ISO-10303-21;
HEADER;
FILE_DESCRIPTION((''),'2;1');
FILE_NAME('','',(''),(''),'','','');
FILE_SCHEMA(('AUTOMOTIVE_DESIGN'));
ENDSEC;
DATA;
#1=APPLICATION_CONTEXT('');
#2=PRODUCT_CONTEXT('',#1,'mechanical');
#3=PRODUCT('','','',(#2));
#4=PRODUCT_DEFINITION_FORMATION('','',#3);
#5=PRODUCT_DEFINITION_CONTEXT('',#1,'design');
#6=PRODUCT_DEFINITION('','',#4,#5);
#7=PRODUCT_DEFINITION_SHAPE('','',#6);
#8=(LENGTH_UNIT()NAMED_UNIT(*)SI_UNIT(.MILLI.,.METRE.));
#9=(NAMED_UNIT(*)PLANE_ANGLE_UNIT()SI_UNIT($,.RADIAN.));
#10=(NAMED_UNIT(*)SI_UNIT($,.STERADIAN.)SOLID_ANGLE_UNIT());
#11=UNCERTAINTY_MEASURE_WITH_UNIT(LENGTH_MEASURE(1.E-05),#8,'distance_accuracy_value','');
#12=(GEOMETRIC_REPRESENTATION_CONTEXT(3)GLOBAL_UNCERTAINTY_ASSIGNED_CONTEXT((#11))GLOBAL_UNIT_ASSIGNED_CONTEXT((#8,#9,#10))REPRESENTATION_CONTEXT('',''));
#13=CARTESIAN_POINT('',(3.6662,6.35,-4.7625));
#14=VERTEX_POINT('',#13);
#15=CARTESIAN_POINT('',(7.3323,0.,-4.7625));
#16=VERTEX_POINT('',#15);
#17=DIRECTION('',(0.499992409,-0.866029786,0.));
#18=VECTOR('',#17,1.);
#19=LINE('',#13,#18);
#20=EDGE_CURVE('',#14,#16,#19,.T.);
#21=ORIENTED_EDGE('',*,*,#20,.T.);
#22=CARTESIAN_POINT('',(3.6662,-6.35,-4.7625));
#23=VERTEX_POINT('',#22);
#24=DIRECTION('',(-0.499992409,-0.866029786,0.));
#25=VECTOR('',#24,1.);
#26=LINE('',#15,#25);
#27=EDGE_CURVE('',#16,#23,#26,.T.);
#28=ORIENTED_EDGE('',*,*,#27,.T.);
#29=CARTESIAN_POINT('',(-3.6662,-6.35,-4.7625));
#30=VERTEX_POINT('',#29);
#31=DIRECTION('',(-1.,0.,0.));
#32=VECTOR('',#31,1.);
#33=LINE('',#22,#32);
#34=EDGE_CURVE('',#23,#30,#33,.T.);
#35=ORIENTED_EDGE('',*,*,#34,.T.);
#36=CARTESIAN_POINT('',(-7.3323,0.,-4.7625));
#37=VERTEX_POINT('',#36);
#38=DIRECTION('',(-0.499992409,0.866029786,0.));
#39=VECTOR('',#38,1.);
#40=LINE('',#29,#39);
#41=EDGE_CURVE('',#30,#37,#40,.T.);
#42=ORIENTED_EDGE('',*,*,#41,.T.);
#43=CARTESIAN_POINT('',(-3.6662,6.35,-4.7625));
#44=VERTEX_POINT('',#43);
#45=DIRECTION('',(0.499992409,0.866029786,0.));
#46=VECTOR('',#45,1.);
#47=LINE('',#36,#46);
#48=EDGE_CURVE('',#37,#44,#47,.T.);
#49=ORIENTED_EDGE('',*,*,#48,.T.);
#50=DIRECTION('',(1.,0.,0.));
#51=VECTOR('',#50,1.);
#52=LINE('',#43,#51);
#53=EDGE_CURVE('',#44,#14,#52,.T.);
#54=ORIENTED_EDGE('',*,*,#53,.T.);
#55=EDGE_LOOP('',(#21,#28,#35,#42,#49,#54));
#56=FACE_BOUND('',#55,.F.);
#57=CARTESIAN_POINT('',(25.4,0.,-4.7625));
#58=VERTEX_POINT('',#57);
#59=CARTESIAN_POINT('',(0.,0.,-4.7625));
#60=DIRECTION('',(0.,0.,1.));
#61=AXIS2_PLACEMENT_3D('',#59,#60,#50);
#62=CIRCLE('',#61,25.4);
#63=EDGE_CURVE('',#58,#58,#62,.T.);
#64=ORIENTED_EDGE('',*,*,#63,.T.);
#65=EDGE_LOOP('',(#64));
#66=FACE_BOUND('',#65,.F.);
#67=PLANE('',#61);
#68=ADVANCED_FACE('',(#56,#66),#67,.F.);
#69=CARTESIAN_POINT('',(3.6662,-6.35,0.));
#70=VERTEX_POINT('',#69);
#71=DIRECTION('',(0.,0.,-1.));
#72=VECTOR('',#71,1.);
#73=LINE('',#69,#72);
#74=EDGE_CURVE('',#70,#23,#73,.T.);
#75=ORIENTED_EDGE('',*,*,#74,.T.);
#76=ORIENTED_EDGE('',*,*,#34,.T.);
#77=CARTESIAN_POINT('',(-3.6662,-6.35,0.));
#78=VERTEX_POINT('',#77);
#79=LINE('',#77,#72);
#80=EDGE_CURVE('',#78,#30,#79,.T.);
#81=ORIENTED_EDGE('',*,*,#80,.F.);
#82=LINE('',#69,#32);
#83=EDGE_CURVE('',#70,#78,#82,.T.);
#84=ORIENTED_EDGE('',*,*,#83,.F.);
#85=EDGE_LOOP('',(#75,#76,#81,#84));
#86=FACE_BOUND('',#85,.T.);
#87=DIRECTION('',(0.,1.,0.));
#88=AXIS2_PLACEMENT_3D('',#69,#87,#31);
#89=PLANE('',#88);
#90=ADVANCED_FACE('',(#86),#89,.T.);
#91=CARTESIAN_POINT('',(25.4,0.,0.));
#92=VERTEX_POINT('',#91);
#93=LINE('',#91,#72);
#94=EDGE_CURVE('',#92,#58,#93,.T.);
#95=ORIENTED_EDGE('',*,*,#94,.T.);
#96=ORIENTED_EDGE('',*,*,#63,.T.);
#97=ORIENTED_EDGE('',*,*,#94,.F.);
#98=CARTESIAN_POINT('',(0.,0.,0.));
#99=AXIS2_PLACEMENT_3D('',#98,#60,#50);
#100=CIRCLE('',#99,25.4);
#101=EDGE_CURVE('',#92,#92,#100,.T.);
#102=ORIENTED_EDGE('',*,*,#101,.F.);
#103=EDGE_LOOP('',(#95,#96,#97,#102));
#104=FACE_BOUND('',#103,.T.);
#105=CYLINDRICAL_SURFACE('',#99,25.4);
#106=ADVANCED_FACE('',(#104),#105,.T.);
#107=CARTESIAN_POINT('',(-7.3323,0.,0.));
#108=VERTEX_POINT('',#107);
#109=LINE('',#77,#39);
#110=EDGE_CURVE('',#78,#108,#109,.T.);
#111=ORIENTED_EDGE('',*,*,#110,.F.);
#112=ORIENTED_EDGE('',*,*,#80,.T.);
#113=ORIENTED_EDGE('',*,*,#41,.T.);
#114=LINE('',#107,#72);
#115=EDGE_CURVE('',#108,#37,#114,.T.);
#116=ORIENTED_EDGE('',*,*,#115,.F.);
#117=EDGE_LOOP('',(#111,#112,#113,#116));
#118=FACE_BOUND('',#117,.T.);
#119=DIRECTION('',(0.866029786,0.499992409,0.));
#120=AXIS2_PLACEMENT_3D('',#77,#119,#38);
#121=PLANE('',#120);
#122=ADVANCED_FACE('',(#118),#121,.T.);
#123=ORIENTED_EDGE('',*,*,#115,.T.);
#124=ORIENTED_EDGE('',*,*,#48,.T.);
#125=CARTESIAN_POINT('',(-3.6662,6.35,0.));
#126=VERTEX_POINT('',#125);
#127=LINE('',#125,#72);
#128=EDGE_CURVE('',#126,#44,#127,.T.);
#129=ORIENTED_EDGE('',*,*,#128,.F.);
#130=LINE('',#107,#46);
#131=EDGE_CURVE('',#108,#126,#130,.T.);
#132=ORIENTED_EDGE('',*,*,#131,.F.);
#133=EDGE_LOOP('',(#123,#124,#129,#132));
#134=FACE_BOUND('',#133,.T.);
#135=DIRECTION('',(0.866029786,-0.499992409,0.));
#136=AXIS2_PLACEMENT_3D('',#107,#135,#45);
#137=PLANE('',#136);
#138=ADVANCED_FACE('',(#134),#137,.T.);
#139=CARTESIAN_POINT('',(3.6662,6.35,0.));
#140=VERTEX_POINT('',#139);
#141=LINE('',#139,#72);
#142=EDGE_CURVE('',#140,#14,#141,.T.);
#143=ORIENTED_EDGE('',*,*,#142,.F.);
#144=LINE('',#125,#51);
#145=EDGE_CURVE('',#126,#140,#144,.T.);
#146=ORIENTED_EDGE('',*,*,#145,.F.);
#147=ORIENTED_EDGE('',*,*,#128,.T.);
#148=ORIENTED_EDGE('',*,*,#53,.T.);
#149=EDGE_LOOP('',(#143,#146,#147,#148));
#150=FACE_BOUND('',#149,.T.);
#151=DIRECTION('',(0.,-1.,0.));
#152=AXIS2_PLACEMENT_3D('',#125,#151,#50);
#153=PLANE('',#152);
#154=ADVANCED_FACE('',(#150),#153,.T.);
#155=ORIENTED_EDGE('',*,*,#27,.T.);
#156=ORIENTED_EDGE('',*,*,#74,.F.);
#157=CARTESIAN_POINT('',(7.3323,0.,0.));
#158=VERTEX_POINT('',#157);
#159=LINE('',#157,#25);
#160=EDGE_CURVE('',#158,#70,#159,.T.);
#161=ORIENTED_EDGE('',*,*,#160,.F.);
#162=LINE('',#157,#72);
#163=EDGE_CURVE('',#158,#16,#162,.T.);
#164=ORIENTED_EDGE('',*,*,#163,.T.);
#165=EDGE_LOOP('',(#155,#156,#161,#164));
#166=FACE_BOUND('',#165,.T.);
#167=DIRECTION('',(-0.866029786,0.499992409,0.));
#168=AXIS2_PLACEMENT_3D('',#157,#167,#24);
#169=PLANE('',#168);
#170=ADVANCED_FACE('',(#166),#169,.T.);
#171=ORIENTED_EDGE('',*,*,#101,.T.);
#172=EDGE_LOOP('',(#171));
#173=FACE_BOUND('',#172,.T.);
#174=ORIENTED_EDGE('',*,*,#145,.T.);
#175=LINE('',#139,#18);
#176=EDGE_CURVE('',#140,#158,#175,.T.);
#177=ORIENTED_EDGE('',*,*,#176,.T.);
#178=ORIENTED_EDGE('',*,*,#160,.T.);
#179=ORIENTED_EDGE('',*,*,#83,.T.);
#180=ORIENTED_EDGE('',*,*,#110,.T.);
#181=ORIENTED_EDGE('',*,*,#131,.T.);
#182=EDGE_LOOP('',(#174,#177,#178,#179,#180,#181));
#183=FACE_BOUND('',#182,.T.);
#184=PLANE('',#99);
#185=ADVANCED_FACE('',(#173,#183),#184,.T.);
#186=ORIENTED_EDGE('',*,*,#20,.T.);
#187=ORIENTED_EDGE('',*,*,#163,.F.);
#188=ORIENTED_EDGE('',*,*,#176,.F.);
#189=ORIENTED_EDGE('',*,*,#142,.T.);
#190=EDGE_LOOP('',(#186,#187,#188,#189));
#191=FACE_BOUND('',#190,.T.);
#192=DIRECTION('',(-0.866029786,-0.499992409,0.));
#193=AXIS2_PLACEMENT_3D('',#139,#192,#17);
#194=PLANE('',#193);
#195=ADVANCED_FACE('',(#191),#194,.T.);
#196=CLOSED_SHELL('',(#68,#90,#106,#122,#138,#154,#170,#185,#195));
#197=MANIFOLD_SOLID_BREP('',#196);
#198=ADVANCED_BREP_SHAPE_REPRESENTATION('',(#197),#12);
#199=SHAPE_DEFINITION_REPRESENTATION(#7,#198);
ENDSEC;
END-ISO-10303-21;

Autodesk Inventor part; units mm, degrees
ref_plane "YZ Plane" through (0, 0, 0) normal (1, 0, 0) x (0, 1, 0)
ref_plane "XZ Plane" through (0, 0, 0) normal (0, 1, 0) x (-1, 0, 0)
ref_plane "XY Plane" through (0, 0, 0) normal (0, 0, 1) x (1, 0, 0)
sketch "Sketch1" plane through (0, 0, 0) normal (0, 0, 1) x (1, 0, 0)
  line L0 (3.6662, 6.35) -> (7.3323, 0)
  line L1 (7.3323, 0) -> (3.6662, -6.35)
  line L2 (3.6662, -6.35) -> (-3.6662, -6.35)
  line L3 (-3.6662, -6.35) -> (-7.3323, 0)
  line L4 (-7.3323, 0) -> (-3.6662, 6.35)
  line L5 (-3.6662, 6.35) -> (3.6662, 6.35)
  circle A0 centre (0, 0) radius 25.4
  circle A1 centre (0, 0) radius 7.3323 construction
  dimension "d0" = 12.7
  dimension "d2" = 50.8
  dimension "d3" = 18.0677
extrude "Extrusion1" add sketch "Sketch1" against normal blind 4.7625
properties part number "1_2x2x3_16-hexBearing" material "PC/ABS Plastic"
